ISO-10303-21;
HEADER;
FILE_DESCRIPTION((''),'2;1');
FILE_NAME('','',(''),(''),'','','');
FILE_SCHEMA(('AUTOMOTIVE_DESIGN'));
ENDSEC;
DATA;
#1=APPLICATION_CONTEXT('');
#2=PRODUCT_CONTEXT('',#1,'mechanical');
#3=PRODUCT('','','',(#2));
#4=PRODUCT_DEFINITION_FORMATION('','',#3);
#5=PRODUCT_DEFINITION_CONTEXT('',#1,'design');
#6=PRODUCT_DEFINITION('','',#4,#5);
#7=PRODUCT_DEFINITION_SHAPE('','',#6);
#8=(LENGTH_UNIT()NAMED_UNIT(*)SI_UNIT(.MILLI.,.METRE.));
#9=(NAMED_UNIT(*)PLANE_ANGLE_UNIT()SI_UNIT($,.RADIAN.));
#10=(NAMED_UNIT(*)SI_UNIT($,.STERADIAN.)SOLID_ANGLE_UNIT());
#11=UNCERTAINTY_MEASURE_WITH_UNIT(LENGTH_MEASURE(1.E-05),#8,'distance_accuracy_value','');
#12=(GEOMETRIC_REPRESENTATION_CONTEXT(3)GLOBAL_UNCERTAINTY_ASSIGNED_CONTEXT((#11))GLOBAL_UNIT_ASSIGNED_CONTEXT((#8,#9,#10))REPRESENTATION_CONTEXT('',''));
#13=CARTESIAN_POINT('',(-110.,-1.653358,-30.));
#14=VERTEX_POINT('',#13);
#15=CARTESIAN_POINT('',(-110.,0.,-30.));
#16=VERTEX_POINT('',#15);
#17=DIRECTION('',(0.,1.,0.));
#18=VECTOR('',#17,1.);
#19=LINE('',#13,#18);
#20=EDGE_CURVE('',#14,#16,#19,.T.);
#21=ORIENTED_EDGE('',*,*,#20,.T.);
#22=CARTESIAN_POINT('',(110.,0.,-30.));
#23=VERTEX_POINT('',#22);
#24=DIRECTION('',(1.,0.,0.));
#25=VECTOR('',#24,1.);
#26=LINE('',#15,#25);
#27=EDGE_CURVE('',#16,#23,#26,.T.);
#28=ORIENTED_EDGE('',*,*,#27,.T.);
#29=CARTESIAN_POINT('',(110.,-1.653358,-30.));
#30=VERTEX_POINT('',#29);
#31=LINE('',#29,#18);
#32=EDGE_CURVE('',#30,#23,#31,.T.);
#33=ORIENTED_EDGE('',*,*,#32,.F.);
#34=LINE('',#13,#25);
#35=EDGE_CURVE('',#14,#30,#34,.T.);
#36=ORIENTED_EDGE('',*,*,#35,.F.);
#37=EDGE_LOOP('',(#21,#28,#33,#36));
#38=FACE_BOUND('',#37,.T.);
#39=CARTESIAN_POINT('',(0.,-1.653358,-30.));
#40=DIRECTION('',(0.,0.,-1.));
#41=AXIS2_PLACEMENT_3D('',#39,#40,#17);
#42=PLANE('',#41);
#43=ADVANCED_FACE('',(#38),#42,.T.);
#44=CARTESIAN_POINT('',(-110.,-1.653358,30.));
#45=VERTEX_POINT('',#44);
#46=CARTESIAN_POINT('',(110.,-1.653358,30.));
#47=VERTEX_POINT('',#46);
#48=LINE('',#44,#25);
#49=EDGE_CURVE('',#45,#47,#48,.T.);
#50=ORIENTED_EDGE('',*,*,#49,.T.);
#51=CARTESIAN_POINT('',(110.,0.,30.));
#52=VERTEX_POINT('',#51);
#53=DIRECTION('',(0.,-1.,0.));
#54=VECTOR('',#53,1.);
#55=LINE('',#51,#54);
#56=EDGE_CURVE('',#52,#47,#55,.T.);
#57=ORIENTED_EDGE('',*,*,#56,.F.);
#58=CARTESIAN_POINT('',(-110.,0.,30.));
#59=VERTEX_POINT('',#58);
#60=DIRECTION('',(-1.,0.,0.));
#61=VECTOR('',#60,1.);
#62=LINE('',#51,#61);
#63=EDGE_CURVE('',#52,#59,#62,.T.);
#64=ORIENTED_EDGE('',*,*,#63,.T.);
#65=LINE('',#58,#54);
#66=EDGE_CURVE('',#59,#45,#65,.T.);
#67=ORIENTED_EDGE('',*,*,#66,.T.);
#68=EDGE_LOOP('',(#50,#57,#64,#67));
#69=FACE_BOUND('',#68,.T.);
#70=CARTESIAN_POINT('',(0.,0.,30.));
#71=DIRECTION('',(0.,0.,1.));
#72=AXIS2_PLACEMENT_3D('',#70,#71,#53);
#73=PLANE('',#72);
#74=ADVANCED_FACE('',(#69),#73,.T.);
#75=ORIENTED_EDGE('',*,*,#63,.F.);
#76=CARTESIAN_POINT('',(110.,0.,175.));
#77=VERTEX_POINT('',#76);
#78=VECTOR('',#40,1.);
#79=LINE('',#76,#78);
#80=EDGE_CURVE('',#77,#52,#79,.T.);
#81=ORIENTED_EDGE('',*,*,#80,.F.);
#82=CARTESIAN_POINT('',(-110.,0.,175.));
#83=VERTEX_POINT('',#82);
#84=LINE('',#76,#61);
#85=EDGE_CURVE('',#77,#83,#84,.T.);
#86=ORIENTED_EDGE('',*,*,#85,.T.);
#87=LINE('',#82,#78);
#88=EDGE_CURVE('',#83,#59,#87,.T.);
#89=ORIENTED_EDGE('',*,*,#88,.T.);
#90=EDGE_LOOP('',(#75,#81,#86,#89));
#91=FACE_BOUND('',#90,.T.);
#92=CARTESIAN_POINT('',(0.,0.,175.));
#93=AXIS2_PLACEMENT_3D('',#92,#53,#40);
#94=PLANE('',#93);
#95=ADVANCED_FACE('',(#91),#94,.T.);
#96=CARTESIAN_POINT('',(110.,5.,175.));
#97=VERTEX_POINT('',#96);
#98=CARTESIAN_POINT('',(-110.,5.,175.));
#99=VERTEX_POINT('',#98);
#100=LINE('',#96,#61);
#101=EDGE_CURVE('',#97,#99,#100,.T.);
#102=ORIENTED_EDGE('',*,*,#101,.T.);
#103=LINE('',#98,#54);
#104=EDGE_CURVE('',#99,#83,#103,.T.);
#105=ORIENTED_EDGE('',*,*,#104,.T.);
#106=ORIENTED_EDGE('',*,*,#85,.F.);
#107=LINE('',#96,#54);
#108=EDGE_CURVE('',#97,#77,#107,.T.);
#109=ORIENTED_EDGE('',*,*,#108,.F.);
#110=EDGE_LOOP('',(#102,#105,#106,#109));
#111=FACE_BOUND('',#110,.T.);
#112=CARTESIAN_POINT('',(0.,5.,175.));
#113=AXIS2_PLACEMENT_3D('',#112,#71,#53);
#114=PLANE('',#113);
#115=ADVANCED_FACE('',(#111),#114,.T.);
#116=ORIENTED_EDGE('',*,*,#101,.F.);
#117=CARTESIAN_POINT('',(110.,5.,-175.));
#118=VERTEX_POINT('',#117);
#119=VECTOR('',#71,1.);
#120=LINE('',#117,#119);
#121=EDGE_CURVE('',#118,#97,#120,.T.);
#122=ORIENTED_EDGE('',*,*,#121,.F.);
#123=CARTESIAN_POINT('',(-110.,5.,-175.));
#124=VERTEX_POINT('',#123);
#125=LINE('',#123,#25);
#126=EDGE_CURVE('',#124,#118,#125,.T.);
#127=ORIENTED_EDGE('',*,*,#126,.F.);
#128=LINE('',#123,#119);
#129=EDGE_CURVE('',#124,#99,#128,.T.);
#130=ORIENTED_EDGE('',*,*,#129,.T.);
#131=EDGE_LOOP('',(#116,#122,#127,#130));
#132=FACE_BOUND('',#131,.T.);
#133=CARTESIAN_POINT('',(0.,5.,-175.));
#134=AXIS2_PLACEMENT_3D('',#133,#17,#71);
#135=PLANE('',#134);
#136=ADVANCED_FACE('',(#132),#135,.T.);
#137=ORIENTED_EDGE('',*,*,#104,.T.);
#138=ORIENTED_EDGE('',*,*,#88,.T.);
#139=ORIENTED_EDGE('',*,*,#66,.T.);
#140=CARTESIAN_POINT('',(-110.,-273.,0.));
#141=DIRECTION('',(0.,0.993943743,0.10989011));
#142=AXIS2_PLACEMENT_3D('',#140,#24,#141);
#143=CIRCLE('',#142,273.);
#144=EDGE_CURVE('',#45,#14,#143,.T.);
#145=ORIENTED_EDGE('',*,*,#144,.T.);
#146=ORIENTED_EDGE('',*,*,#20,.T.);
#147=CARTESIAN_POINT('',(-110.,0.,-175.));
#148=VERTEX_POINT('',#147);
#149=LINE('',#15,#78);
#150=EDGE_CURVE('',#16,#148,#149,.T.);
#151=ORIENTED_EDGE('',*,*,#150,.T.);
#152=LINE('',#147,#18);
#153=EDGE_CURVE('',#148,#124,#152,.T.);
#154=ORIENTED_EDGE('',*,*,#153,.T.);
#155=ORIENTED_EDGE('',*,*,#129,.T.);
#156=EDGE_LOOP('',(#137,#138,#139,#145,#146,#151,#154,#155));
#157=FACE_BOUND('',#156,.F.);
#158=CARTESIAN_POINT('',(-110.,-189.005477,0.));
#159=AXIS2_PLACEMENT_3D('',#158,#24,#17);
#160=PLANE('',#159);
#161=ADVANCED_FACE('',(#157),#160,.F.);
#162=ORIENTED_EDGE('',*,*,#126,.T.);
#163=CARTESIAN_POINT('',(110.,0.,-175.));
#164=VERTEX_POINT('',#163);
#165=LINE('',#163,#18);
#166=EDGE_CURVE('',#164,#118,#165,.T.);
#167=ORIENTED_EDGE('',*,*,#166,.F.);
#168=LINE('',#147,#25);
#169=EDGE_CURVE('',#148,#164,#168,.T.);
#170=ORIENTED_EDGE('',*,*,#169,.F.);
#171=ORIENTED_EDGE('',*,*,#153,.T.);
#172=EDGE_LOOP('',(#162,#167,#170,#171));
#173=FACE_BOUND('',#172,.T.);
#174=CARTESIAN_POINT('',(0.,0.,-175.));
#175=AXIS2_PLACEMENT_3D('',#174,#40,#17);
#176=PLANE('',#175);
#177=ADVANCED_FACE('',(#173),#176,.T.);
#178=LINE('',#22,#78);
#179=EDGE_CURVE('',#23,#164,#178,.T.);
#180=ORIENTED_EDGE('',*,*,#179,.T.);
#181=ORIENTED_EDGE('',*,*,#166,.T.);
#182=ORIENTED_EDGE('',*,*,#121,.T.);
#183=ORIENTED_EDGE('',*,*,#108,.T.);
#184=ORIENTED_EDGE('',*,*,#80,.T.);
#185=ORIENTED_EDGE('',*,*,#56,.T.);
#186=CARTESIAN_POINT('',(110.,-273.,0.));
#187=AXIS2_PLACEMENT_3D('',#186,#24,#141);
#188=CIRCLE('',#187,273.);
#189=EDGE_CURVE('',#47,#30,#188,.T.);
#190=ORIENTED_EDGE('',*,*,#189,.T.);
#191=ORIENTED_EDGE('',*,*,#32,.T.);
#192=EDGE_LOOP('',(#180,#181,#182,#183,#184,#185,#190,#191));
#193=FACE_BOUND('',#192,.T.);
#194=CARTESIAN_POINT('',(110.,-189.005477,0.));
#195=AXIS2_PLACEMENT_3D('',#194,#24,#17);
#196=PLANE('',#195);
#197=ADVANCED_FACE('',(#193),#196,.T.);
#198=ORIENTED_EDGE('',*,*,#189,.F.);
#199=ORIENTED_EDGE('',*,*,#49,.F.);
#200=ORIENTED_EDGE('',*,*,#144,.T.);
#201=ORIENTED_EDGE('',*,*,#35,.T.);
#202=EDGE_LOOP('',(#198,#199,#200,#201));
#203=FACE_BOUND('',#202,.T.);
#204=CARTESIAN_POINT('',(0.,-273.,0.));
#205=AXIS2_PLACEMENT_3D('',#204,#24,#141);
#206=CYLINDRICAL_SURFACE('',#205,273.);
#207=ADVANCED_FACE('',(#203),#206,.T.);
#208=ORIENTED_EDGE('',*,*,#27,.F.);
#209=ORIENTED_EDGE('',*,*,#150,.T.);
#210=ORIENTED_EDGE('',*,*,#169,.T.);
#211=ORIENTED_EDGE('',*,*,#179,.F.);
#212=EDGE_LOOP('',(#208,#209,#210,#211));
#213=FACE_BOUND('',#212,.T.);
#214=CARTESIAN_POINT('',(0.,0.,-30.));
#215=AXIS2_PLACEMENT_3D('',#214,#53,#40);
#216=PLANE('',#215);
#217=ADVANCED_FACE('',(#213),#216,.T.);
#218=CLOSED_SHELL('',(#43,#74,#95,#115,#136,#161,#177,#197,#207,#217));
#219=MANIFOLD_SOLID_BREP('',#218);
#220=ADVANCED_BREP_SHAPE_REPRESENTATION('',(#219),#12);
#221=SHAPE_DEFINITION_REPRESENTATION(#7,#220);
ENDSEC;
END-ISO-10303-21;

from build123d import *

# Parameters (mm, degrees)
F1_DEPTH      = 110
F1_DEPTH_BACK = 110


with BuildPart() as f1:
    # F0 (on Right) → F1 (new body, two sides)
    with BuildSketch(Plane.YZ) as f1_sk:
        with BuildLine():
            Line((0, 30), (-1.653358, 30))
            ThreePointArc((-1.653358, 30), (-546, 0), (-1.653358, -30))
            Line((-1.653358, -30), (0, -30))
            Line((0, -30), (0, -175))
            Line((0, -175), (5, -175))
            Line((5, -175), (5, 175))
            Line((5, 175), (0, 175))
            Line((0, 175), (0, 30))
        make_face()
    extrude(amount=F1_DEPTH)
    extrude(f1_sk.sketch, amount=-F1_DEPTH_BACK)


solid = f1.part
